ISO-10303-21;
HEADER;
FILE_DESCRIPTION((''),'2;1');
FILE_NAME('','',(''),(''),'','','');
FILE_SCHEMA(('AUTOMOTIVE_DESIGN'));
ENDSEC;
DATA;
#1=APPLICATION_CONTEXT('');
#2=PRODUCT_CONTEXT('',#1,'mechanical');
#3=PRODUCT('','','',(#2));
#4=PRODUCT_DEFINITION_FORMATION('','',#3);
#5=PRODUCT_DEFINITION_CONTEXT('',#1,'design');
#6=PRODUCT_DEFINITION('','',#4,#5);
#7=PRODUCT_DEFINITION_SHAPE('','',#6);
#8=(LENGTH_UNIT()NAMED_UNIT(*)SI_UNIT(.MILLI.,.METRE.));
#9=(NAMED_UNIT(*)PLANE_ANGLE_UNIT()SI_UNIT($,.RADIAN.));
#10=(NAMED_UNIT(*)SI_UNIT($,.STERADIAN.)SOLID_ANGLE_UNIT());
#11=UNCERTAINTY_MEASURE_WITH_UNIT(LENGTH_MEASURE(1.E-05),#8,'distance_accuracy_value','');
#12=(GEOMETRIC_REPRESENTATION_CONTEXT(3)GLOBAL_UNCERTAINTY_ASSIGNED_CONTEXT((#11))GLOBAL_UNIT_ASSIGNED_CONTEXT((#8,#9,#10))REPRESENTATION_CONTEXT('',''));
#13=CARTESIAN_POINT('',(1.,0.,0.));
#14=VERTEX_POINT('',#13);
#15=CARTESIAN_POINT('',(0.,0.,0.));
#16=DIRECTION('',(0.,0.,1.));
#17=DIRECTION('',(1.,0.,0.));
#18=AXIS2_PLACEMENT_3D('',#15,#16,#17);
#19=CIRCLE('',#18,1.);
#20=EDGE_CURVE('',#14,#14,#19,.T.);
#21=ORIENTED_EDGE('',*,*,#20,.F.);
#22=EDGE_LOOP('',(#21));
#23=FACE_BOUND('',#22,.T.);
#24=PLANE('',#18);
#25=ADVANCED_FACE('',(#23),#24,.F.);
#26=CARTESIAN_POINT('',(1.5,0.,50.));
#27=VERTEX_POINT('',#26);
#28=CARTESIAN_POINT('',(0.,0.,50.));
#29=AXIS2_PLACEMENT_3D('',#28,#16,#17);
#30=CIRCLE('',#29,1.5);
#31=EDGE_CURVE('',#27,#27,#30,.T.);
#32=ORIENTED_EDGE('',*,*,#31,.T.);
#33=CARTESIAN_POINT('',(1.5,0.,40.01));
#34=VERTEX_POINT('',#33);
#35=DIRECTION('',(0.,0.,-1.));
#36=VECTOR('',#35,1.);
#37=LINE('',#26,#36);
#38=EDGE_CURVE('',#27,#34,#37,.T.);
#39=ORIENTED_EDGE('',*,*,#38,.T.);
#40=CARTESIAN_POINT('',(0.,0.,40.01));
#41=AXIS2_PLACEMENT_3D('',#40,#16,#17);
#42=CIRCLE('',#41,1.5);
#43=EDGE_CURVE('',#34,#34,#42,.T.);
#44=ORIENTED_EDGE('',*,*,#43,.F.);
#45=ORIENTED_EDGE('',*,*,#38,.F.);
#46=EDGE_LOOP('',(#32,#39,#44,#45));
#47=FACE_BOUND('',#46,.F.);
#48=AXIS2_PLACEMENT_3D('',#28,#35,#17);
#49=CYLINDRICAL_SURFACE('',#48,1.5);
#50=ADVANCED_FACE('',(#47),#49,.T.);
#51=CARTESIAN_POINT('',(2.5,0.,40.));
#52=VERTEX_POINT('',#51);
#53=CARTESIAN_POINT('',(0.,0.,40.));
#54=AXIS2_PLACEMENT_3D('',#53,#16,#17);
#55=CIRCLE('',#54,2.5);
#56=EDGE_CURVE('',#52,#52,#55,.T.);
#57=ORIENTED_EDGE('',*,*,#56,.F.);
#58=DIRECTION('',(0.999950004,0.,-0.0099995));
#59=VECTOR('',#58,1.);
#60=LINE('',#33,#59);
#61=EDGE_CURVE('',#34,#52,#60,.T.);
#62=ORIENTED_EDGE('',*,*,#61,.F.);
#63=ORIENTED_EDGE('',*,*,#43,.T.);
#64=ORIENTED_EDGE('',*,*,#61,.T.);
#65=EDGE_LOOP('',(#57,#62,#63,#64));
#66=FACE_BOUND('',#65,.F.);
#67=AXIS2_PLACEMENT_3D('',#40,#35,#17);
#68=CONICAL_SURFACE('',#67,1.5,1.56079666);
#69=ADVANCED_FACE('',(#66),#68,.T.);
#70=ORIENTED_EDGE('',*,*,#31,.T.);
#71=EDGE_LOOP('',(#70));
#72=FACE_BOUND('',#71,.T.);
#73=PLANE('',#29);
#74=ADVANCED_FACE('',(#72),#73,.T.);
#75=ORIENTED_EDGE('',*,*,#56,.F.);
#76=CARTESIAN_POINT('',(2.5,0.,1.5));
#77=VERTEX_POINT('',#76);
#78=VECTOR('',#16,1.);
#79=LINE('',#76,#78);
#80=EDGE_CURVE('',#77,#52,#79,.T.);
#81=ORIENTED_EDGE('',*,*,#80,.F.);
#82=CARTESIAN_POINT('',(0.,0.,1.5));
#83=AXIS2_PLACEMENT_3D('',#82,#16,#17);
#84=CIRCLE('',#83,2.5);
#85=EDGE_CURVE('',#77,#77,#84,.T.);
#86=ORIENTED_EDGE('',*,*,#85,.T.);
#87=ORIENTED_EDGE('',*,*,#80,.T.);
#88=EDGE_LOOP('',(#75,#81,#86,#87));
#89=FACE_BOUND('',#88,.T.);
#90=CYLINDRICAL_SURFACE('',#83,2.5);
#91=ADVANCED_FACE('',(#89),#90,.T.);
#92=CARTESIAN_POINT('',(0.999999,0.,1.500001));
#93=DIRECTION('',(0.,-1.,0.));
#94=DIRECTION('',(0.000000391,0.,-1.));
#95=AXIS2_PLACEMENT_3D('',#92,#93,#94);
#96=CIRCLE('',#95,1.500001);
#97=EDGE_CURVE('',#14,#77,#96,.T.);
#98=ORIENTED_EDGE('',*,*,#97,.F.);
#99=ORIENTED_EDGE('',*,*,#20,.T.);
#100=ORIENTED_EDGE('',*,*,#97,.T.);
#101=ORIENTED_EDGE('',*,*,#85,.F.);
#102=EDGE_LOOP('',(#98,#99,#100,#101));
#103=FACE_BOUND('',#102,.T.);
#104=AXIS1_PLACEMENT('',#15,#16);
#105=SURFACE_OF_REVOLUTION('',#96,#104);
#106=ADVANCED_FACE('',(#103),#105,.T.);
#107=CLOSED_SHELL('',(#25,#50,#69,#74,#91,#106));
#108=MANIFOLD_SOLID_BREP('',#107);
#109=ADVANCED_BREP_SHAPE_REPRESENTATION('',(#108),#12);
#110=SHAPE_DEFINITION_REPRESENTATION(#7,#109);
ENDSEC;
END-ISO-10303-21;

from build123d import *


with BuildPart() as part:
    # Sketch → Revolution (revolve)
    with BuildSketch(Plane.XZ):
        with BuildLine():
            Line((0, 50), (0, 0))
            Line((0, 0), (1, 0))
            ThreePointArc((1, 0), (2.06066, 0.43934), (2.5, 1.5))
            Line((2.5, 1.5), (2.5, 40))
            Line((1.5, 40.01), (2.5, 40))
            Line((1.5, 50), (1.5, 40.01))
            Line((1.5, 50), (0, 50))
        make_face()
    revolve(axis=Axis((0, 0, 0), (0, 0, 1)))


solid = part.part
